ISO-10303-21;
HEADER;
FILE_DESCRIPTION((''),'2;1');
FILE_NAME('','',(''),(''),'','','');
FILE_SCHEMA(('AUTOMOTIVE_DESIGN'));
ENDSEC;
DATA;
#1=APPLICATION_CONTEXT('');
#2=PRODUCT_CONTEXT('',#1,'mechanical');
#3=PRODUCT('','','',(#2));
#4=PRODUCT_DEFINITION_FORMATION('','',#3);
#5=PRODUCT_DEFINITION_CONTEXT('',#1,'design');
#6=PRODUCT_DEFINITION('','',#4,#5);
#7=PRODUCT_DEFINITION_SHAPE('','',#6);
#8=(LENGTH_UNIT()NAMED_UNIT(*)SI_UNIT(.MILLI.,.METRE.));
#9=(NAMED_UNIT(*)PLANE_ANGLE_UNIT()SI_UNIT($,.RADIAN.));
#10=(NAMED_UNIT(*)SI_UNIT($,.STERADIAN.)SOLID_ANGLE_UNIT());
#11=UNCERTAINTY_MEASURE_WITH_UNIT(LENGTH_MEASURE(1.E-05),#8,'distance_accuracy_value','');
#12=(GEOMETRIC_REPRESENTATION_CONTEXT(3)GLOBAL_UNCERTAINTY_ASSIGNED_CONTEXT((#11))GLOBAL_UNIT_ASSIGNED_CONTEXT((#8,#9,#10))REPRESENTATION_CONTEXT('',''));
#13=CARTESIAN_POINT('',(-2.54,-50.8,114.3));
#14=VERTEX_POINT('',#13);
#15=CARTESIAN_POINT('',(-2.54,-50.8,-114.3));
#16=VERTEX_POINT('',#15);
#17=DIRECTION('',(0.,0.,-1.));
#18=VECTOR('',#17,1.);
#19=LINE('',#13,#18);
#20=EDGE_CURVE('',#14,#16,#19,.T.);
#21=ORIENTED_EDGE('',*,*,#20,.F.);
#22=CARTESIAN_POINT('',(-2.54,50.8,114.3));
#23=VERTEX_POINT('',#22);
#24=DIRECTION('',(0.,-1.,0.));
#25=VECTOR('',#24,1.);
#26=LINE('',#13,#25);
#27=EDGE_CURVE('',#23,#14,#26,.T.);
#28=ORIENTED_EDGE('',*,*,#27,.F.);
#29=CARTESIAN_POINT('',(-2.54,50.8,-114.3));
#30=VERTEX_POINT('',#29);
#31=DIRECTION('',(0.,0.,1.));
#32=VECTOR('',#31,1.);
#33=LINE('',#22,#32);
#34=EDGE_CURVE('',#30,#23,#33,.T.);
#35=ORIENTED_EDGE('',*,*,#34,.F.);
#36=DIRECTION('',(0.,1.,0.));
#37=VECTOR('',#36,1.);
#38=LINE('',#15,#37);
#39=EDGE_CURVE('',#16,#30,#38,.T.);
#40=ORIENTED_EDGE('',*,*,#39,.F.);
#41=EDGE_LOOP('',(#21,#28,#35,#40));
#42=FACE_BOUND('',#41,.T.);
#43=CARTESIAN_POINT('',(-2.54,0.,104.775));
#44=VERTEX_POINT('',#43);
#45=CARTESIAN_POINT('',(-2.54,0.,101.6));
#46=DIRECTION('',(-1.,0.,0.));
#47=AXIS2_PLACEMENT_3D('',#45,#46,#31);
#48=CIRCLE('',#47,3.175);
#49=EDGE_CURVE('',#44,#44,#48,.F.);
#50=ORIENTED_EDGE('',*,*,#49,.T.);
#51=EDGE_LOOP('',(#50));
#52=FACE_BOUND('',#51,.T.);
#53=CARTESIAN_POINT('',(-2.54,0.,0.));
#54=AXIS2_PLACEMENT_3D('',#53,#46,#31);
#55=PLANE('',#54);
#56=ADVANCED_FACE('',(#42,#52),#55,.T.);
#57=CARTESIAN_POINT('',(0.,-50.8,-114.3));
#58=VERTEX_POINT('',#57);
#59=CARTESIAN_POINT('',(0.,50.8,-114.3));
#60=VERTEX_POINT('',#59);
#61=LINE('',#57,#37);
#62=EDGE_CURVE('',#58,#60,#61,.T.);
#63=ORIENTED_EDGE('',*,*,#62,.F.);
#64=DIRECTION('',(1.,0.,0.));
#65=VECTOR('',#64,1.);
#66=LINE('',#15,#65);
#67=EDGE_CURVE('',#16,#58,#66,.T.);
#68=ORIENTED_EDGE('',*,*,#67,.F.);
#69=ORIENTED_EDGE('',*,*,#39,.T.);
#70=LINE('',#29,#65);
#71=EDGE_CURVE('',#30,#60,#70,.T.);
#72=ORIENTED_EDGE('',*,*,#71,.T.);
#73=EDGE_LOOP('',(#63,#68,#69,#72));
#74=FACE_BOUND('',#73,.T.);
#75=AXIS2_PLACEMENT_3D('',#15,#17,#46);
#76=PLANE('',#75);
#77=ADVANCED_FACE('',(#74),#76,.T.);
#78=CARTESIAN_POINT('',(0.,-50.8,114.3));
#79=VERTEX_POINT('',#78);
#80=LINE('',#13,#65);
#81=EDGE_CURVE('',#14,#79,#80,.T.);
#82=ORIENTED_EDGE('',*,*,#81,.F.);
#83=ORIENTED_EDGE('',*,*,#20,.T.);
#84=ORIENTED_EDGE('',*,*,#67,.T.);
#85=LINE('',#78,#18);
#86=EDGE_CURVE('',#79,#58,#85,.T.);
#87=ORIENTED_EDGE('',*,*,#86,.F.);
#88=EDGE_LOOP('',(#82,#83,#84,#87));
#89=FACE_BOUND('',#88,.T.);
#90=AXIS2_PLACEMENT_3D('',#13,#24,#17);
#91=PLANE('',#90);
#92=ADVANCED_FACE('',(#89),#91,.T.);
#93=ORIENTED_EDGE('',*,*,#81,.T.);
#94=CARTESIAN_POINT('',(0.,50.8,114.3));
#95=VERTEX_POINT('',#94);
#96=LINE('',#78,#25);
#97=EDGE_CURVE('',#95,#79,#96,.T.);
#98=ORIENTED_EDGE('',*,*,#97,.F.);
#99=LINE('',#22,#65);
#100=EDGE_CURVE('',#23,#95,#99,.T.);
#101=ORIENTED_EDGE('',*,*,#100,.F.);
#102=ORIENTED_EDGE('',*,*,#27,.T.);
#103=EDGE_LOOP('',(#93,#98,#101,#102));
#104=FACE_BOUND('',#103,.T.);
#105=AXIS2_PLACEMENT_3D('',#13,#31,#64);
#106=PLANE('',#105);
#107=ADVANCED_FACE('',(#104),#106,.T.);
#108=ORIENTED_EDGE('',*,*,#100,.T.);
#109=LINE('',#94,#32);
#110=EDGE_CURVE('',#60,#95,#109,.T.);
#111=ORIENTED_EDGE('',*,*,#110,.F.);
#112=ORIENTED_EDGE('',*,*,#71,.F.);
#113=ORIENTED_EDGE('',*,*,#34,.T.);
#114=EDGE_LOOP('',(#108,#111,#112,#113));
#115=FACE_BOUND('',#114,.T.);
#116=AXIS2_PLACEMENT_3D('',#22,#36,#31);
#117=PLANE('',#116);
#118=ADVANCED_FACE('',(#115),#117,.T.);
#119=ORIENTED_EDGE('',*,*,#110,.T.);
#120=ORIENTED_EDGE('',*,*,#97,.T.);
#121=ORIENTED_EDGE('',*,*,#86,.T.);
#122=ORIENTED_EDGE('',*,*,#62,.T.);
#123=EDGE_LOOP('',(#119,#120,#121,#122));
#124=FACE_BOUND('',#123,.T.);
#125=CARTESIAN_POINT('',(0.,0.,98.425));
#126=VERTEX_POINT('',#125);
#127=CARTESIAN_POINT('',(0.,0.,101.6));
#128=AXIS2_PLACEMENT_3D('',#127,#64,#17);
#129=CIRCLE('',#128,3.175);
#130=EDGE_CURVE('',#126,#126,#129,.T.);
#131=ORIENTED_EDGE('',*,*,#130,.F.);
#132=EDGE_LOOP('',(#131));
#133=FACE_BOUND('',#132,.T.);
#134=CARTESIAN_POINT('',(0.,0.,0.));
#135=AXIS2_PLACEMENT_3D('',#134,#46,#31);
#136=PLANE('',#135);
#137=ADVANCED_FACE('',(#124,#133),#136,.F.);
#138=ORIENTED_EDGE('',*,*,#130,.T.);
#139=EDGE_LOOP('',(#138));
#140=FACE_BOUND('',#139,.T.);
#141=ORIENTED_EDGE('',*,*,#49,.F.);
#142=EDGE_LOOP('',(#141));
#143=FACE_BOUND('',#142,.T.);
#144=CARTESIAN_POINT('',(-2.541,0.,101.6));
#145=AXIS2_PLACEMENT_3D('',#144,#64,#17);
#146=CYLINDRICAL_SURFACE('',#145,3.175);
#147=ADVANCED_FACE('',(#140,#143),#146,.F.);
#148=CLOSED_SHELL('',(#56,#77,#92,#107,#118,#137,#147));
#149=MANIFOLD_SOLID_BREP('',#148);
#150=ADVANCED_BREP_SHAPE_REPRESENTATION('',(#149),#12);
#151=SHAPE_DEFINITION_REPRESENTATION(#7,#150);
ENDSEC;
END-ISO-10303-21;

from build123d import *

# Parameters (mm, degrees)
SKETCH1_W           = 228.6
SKETCH1_H           = 101.6
BOSS_EXTRUDE1_DEPTH = 2.54
CUT_EXTRUDE1_REACH  = 4.54
SKETCH2_R           = 3.175


with BuildPart() as part:
    # Sketch1 → Boss-Extrude1 (new body)
    with BuildSketch(Plane(origin=(0, 0, 0), x_dir=(0, 0, -1), z_dir=(1, 0, 0))):
        Rectangle(SKETCH1_W, SKETCH1_H)
    extrude(amount=-BOSS_EXTRUDE1_DEPTH)

    # Sketch2 → Cut-Extrude1 (cut, up to next)
    with BuildSketch(Plane(origin=(0, 0, 0), x_dir=(0, 0, -1), z_dir=(1, 0, 0)), mode=Mode.PRIVATE) as cut_extrude1_sk1:
        with Locations((-101.6, 0)):
            Circle(SKETCH2_R)
    cut_extrude1_tool1 = extrude(cut_extrude1_sk1.sketch, amount=-CUT_EXTRUDE1_REACH, mode=Mode.PRIVATE) & part.part
    add(cut_extrude1_tool1.solids().sort_by_distance((0, 0, 101.6))[0], mode=Mode.SUBTRACT)


solid = part.part
